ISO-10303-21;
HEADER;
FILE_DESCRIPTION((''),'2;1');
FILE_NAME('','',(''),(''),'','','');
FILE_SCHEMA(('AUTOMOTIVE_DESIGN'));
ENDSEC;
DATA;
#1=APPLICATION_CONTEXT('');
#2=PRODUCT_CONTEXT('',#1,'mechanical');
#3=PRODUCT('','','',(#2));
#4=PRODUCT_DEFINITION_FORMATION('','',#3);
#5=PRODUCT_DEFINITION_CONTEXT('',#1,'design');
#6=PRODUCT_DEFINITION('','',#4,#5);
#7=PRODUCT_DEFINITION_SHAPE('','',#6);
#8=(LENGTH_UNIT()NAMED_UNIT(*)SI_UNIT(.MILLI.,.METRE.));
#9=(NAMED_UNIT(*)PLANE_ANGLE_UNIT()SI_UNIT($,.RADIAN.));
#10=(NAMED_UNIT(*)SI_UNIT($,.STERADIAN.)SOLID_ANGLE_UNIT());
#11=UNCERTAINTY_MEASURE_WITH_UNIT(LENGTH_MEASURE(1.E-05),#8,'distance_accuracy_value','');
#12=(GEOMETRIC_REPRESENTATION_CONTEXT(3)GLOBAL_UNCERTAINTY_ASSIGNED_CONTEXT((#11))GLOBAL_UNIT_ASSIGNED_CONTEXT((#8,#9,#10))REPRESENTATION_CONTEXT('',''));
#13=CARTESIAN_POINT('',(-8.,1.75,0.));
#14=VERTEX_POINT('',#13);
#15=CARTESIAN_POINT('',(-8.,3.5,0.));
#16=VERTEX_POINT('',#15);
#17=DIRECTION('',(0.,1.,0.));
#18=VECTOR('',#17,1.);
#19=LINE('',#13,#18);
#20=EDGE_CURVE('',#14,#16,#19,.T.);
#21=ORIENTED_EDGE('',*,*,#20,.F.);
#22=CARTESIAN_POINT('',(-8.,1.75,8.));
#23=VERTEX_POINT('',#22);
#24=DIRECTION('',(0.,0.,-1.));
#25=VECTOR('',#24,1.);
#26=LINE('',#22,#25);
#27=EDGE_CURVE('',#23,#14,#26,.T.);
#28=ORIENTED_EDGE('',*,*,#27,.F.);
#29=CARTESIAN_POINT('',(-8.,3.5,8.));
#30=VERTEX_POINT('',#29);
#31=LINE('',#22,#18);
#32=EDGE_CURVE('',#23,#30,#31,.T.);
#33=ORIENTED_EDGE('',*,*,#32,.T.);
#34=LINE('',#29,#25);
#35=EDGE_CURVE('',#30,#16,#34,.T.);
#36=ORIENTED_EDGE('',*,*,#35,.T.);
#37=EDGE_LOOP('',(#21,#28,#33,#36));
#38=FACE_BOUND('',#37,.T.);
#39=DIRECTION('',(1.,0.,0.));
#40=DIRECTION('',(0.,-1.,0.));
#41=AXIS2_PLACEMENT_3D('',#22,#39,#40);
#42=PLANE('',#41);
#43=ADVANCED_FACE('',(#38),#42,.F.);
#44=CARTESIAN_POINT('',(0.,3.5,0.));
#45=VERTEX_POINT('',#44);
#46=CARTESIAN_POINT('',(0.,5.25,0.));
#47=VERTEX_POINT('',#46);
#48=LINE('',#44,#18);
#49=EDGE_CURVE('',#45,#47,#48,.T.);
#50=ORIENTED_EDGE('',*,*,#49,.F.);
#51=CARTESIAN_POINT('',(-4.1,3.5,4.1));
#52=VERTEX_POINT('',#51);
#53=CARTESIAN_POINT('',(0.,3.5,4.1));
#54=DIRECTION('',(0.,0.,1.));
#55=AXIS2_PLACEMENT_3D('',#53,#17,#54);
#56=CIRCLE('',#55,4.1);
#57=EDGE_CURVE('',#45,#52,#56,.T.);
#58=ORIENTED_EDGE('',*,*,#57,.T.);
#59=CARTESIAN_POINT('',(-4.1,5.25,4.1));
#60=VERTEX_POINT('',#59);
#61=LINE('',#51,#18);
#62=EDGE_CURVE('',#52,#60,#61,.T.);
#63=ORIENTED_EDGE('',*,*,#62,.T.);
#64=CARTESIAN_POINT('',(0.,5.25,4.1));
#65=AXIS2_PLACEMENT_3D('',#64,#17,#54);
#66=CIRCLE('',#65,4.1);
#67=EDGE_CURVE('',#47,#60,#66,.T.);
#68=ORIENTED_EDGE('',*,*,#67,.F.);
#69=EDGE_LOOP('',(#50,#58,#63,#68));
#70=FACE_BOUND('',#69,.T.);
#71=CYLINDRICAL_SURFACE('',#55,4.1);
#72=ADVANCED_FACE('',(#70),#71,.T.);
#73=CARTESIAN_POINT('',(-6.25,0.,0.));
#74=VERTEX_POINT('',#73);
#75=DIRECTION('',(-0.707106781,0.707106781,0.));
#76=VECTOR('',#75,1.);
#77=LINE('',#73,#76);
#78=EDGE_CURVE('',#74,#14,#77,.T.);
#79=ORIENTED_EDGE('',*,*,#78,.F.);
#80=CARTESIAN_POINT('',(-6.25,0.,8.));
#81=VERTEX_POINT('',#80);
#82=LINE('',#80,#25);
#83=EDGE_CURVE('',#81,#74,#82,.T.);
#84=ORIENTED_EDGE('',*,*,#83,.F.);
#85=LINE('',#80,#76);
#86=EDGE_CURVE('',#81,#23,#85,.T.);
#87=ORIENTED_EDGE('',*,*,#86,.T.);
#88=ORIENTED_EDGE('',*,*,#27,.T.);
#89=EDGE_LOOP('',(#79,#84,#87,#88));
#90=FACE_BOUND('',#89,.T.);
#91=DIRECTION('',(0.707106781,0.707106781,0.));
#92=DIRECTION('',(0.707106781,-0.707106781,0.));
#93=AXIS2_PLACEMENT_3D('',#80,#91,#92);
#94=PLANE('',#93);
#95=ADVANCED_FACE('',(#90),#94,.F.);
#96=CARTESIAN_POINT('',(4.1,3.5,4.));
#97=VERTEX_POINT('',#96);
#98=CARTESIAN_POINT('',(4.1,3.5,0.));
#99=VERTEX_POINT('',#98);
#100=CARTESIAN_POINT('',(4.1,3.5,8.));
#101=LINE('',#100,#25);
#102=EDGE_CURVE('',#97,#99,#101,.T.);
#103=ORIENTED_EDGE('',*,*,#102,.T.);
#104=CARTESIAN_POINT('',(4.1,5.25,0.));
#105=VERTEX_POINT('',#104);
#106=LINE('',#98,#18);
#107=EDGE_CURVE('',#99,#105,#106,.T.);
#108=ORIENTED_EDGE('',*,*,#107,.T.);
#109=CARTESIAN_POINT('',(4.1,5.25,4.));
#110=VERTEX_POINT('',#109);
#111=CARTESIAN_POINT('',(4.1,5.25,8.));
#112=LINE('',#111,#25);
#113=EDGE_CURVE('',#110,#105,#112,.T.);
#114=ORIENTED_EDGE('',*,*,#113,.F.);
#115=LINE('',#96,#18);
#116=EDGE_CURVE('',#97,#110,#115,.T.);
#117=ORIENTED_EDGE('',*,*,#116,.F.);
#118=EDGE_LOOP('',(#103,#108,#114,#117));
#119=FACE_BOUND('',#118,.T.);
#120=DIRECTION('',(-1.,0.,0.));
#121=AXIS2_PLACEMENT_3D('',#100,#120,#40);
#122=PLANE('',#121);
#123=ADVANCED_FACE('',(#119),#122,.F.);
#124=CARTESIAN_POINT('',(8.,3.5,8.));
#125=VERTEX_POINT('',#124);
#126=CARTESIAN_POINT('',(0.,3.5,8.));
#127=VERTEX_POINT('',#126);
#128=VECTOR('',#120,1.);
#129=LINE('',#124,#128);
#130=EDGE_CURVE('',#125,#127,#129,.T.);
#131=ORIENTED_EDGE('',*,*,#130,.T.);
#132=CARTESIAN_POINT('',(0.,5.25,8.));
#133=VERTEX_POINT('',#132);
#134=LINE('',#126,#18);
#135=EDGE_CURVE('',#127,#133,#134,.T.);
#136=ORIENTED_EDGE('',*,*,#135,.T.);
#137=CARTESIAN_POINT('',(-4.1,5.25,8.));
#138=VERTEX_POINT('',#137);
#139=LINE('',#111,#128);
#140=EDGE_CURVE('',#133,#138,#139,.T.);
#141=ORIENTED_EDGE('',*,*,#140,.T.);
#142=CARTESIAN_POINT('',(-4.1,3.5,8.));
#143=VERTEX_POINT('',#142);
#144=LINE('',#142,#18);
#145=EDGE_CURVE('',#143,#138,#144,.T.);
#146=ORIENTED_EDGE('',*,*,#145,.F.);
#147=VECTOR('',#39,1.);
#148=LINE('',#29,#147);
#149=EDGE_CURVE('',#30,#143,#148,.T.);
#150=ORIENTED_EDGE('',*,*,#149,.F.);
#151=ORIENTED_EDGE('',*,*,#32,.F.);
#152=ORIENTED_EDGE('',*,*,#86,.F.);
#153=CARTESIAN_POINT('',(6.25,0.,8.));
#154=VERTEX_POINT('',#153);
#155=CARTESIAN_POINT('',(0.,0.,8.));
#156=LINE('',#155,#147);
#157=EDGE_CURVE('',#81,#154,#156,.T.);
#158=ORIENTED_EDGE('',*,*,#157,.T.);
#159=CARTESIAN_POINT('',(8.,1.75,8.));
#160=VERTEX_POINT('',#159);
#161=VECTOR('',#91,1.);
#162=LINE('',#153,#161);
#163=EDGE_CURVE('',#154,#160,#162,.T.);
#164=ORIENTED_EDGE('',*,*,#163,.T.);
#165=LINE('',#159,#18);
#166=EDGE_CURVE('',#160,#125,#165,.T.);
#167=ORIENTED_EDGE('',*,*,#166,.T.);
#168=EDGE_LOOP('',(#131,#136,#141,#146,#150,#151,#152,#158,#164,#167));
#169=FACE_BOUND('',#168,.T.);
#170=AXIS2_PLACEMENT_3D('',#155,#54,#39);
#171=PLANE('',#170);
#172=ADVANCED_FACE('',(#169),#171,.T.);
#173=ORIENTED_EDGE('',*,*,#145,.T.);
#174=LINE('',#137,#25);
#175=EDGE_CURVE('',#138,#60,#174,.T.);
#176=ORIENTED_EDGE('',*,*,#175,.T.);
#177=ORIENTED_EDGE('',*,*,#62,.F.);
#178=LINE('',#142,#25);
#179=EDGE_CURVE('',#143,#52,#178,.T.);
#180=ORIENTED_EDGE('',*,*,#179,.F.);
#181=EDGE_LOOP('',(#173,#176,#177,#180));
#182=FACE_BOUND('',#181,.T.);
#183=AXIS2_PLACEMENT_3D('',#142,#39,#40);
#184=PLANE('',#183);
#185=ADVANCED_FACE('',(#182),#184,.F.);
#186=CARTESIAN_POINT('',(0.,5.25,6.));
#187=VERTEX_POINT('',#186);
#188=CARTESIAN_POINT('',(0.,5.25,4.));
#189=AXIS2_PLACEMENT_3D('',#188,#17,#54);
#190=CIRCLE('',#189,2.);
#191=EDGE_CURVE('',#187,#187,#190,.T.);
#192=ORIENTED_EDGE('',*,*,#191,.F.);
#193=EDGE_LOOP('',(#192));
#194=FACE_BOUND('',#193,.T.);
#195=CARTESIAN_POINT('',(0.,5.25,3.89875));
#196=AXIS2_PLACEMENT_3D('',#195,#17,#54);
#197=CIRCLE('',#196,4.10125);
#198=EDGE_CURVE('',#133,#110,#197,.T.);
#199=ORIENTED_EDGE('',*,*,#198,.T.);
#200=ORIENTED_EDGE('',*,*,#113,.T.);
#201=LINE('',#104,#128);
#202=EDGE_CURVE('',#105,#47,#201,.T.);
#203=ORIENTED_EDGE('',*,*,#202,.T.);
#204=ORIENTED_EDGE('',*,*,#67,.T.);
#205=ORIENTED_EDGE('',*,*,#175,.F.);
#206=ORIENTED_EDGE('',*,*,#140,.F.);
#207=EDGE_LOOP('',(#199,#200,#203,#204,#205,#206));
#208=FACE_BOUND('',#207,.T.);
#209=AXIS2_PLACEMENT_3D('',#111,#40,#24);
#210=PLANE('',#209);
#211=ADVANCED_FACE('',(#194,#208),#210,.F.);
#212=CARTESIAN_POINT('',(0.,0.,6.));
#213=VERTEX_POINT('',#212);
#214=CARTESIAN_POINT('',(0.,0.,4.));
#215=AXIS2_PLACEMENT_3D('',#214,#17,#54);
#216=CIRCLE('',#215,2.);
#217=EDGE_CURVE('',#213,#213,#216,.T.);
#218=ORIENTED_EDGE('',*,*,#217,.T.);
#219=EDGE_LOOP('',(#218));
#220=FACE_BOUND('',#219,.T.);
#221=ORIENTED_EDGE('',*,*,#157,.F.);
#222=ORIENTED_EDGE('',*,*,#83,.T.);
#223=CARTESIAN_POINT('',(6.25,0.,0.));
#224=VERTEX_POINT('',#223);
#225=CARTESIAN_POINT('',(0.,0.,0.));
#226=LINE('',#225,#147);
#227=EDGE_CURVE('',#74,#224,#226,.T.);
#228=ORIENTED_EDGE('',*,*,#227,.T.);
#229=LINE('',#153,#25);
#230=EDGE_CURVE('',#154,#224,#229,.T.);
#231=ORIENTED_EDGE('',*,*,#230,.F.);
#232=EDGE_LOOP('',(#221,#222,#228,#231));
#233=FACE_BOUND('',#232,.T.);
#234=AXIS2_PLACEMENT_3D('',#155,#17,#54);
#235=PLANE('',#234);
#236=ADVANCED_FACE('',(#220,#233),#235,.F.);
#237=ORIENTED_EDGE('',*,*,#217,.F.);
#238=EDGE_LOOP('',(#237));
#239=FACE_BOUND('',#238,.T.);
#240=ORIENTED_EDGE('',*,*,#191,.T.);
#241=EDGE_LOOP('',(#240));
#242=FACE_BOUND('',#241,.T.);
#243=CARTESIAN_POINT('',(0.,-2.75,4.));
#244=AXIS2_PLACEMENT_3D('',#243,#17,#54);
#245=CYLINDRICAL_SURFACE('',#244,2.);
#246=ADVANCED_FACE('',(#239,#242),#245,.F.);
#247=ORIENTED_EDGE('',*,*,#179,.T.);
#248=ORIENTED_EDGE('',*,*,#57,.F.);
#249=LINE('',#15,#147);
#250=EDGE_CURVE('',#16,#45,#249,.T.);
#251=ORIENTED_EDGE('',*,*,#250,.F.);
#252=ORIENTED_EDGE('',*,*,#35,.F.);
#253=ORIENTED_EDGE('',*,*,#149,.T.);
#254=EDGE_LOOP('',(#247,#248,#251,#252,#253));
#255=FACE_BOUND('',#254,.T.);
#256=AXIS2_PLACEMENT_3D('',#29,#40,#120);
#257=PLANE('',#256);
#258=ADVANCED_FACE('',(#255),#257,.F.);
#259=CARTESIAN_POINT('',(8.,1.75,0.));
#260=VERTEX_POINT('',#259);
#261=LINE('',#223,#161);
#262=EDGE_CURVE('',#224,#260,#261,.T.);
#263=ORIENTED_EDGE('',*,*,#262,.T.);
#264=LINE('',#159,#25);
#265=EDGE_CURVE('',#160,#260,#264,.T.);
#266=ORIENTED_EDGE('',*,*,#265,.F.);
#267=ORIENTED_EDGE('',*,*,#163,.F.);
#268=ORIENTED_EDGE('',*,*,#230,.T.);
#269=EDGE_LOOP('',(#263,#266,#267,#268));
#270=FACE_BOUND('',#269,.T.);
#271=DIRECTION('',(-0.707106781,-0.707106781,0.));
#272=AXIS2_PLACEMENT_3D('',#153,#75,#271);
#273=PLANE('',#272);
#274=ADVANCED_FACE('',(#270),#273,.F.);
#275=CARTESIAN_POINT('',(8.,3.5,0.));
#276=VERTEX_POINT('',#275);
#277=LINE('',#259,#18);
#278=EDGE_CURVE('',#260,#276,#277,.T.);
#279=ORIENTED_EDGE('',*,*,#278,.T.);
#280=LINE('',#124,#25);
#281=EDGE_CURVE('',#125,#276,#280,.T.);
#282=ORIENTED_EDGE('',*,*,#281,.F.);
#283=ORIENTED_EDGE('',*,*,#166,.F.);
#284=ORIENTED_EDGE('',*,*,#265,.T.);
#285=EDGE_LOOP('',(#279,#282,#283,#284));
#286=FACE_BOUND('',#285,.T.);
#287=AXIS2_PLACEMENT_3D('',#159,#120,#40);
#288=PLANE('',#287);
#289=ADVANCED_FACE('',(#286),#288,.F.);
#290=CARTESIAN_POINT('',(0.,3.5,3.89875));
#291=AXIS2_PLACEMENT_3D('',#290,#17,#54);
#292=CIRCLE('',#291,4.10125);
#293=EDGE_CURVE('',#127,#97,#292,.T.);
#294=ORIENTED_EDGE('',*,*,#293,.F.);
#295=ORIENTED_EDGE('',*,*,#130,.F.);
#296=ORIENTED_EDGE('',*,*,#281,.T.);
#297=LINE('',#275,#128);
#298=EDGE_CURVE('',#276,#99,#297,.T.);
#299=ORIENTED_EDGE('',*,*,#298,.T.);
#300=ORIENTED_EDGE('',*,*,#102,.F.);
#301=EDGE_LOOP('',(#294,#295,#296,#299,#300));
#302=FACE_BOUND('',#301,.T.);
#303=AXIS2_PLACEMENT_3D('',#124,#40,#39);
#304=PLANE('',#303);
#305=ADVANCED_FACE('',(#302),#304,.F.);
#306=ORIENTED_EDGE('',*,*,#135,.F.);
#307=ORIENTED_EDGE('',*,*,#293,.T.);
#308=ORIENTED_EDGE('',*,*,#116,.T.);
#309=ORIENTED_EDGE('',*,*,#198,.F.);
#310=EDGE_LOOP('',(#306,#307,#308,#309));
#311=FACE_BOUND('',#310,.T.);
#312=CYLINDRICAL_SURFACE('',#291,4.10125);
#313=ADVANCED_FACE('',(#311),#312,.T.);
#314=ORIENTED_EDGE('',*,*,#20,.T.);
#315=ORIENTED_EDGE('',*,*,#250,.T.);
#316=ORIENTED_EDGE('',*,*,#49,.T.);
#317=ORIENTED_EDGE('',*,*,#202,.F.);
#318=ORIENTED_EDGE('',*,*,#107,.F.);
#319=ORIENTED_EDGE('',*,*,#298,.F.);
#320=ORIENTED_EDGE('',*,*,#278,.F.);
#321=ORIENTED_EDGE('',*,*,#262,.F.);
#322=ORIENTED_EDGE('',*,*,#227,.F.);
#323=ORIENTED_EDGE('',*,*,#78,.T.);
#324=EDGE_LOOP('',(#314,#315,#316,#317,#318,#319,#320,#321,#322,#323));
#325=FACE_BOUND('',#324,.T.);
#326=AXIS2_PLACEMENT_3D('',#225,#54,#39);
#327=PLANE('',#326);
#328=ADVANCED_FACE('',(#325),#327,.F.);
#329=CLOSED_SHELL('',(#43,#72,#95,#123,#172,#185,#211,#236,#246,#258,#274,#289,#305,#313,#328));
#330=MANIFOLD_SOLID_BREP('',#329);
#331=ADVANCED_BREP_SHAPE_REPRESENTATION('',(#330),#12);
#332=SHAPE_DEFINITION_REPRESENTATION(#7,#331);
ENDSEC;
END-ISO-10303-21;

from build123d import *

# Parameters (mm, degrees)
BOSS_EXTRUDE1_DEPTH = 8
SKETCH2_R           = 2
CUT_EXTRUDE1_DEPTH  = 8
CUT_EXTRUDE2_DEPTH  = 1.75


with BuildPart() as part:
    # Sketch1 → Boss-Extrude1 (new body)
    with BuildSketch(Plane.XY):
        Polygon((0, 5.25), (0, 0), (6.25, 0), (8, 1.75), (8, 3.5), (4.1, 3.5), (4.1, 5.25), align=None)
    extrude(amount=BOSS_EXTRUDE1_DEPTH)

    # Mirror1: part across plane


with BuildPart() as part_1:
    add(part.part)
    add(part.part.mirror(Plane(origin=(0, 0, 0), x_dir=(0, 0, 1), z_dir=(1, 0, 0))))

    # Sketch2 → Cut-Extrude1 (cut)
    with BuildSketch(Plane(origin=(0, 5.25, 0), x_dir=(1, 0, 0), z_dir=(0, 1, 0))):
        with Locations(Location((0, -4, 0), (0, 0, 270))):
            Circle(SKETCH2_R)
    extrude(amount=-CUT_EXTRUDE1_DEPTH, mode=Mode.SUBTRACT)

    # Sketch3 → Cut-Extrude2 (cut)
    with BuildSketch(Plane(origin=(0, 5.25, 0), x_dir=(1, 0, 0), z_dir=(0, 1, 0))):
        with BuildLine():
            ThreePointArc((4.1, -4), (2.864000698, -6.834350716), (0, -8))
            Line((0, -8), (4.1, -8))
            Line((4.1, -8), (4.1, -4))
        make_face()
        with BuildLine():
            Line((-4.1, 0), (-4.1, -4.1))
            ThreePointArc((-4.1, -4.1), (-2.899137803, -1.200862197), (0, 0))
            Line((0, 0), (-4.1, 0))
        make_face()
    extrude(amount=-CUT_EXTRUDE2_DEPTH, mode=Mode.SUBTRACT)


solid = part_1.part
